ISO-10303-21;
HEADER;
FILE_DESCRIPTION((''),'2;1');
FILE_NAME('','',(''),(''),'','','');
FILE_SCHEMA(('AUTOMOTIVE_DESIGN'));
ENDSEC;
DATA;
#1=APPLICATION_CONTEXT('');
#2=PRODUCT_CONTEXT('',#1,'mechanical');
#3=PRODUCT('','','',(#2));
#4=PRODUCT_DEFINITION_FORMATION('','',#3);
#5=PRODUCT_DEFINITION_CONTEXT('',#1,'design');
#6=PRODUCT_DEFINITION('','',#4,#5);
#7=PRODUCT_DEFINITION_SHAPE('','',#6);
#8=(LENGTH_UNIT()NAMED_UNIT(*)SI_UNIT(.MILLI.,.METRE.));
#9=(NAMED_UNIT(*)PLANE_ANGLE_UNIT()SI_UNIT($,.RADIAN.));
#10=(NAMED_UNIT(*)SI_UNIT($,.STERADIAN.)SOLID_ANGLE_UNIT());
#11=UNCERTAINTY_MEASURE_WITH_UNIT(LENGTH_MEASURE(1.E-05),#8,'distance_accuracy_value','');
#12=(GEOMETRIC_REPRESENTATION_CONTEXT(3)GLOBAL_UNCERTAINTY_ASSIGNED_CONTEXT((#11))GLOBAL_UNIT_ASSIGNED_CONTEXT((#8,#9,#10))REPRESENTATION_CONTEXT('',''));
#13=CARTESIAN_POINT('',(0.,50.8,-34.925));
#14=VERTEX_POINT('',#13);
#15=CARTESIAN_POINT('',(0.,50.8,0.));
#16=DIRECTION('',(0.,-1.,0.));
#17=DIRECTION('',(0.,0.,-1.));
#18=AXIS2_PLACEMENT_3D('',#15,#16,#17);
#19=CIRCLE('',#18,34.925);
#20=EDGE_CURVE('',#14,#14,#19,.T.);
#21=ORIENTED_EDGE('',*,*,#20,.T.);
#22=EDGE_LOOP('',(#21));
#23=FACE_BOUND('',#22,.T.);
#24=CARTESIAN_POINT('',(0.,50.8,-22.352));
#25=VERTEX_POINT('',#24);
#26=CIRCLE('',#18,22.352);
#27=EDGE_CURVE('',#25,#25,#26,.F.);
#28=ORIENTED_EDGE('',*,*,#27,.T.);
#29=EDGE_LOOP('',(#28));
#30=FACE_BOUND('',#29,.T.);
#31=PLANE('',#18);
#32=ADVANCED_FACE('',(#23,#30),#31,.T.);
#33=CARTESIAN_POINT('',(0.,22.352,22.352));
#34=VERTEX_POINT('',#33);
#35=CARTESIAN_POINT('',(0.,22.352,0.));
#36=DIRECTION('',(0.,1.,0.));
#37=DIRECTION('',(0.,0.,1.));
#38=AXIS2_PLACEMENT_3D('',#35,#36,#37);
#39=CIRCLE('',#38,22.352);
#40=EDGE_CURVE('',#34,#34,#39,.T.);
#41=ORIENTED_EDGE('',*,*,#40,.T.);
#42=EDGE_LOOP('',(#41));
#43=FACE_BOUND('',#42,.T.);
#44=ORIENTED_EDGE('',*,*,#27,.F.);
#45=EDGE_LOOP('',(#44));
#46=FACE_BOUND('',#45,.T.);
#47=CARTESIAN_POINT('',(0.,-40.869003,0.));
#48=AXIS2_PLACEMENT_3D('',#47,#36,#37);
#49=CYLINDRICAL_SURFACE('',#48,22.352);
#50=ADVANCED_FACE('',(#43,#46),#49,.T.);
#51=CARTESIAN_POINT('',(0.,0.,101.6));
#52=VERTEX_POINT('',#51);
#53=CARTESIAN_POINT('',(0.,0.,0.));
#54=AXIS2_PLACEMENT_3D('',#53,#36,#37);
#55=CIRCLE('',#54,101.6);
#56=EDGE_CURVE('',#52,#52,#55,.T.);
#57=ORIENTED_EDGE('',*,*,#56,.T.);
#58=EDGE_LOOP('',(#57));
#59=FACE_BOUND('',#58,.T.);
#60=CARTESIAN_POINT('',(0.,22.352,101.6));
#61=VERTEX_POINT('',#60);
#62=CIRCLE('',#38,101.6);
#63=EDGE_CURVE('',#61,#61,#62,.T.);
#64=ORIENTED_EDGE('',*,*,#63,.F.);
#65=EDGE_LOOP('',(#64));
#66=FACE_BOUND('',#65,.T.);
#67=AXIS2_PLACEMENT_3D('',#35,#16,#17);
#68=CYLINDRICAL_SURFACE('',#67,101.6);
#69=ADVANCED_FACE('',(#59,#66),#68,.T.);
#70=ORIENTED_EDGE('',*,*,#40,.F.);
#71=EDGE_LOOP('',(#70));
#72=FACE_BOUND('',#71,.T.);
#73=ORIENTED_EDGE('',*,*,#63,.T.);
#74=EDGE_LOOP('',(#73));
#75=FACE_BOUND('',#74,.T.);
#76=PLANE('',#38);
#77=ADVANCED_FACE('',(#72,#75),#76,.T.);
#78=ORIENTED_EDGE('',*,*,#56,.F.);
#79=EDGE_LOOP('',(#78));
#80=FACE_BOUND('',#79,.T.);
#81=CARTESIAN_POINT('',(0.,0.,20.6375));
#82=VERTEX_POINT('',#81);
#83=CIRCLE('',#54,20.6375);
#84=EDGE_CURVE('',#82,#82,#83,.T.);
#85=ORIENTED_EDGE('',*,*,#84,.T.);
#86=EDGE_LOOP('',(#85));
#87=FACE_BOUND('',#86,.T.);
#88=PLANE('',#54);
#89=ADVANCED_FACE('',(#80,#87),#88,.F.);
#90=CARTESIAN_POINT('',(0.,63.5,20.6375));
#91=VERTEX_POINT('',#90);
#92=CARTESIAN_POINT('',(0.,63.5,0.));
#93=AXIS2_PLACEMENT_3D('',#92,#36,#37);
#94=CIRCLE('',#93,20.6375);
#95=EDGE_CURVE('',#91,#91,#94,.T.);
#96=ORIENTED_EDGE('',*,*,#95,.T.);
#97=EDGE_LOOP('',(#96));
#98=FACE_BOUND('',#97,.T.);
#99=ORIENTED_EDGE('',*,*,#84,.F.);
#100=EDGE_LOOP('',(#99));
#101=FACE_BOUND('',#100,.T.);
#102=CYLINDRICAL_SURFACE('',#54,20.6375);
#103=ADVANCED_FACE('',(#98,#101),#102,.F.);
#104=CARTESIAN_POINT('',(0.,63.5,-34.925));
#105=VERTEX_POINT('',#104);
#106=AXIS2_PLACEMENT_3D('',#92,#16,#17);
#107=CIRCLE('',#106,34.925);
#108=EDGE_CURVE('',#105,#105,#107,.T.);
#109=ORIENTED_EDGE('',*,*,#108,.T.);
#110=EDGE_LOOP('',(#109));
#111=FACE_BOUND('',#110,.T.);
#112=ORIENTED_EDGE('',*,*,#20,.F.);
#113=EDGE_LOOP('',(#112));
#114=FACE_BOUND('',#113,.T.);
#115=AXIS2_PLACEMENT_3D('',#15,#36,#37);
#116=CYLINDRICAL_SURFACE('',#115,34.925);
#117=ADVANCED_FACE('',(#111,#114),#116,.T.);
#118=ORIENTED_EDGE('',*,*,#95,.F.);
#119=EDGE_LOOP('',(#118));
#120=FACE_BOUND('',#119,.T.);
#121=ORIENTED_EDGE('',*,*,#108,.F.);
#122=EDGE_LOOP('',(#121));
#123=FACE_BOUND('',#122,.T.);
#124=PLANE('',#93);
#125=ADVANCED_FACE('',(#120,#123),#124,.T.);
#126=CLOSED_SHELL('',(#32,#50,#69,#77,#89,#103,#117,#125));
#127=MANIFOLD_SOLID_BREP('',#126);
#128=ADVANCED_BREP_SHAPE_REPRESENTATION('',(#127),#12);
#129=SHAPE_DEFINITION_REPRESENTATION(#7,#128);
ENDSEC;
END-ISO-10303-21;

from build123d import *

# Parameters (mm, degrees)
SKETCH1_R           = 101.6
BOSS_EXTRUDE1_DEPTH = 22.352
SKETCH2_R           = 34.925
BOSS_EXTRUDE2_DEPTH = 12.7
SKETCH3_R           = 22.352
BOSS_EXTRUDE3_DEPTH = 41.148
SKETCH4_R           = 20.6375
CUT_EXTRUDE1_DEPTH  = 158.090324336


with BuildPart() as part:
    # Sketch1 → Boss-Extrude1 (new body)
    with BuildSketch(Plane(origin=(0, 0, 0), x_dir=(1, 0, 0), z_dir=(0, 1, 0))):
        with Locations(Location((0, 0, 0), (0, 0, 270))):
            Circle(SKETCH1_R)
    extrude(amount=BOSS_EXTRUDE1_DEPTH)



with BuildPart() as body_2:
    # Sketch2 → Boss-Extrude2 (new body)
    with BuildSketch(Plane.XZ.offset(-63.5)):
        with Locations(Location((0, 0, 0), (0, 0, 270))):
            Circle(SKETCH2_R)
    extrude(amount=BOSS_EXTRUDE2_DEPTH)


with BuildPart() as part_1:
    add(part.part)

    add(body_2.part)  # Boss-Extrude3 merges body 2
    # Sketch3 → Boss-Extrude3 (add)
    with BuildSketch(Plane(origin=(0, 63.5, 0), x_dir=(1, 0, 0), z_dir=(0, 1, 0))):
        with Locations(Location((0, 0, 0), (0, 0, 270))):
            Circle(SKETCH3_R)
    extrude(amount=-BOSS_EXTRUDE3_DEPTH)

    # Sketch4 → Cut-Extrude1 (cut, through all)
    with BuildSketch(Plane(origin=(0, 63.5, 0), x_dir=(1, 0, 0), z_dir=(0, 1, 0))):
        with Locations(Location((0, 0, 0), (0, 0, 270))):
            Circle(SKETCH4_R)
    extrude(amount=-CUT_EXTRUDE1_DEPTH, mode=Mode.SUBTRACT)


solid = part_1.part
